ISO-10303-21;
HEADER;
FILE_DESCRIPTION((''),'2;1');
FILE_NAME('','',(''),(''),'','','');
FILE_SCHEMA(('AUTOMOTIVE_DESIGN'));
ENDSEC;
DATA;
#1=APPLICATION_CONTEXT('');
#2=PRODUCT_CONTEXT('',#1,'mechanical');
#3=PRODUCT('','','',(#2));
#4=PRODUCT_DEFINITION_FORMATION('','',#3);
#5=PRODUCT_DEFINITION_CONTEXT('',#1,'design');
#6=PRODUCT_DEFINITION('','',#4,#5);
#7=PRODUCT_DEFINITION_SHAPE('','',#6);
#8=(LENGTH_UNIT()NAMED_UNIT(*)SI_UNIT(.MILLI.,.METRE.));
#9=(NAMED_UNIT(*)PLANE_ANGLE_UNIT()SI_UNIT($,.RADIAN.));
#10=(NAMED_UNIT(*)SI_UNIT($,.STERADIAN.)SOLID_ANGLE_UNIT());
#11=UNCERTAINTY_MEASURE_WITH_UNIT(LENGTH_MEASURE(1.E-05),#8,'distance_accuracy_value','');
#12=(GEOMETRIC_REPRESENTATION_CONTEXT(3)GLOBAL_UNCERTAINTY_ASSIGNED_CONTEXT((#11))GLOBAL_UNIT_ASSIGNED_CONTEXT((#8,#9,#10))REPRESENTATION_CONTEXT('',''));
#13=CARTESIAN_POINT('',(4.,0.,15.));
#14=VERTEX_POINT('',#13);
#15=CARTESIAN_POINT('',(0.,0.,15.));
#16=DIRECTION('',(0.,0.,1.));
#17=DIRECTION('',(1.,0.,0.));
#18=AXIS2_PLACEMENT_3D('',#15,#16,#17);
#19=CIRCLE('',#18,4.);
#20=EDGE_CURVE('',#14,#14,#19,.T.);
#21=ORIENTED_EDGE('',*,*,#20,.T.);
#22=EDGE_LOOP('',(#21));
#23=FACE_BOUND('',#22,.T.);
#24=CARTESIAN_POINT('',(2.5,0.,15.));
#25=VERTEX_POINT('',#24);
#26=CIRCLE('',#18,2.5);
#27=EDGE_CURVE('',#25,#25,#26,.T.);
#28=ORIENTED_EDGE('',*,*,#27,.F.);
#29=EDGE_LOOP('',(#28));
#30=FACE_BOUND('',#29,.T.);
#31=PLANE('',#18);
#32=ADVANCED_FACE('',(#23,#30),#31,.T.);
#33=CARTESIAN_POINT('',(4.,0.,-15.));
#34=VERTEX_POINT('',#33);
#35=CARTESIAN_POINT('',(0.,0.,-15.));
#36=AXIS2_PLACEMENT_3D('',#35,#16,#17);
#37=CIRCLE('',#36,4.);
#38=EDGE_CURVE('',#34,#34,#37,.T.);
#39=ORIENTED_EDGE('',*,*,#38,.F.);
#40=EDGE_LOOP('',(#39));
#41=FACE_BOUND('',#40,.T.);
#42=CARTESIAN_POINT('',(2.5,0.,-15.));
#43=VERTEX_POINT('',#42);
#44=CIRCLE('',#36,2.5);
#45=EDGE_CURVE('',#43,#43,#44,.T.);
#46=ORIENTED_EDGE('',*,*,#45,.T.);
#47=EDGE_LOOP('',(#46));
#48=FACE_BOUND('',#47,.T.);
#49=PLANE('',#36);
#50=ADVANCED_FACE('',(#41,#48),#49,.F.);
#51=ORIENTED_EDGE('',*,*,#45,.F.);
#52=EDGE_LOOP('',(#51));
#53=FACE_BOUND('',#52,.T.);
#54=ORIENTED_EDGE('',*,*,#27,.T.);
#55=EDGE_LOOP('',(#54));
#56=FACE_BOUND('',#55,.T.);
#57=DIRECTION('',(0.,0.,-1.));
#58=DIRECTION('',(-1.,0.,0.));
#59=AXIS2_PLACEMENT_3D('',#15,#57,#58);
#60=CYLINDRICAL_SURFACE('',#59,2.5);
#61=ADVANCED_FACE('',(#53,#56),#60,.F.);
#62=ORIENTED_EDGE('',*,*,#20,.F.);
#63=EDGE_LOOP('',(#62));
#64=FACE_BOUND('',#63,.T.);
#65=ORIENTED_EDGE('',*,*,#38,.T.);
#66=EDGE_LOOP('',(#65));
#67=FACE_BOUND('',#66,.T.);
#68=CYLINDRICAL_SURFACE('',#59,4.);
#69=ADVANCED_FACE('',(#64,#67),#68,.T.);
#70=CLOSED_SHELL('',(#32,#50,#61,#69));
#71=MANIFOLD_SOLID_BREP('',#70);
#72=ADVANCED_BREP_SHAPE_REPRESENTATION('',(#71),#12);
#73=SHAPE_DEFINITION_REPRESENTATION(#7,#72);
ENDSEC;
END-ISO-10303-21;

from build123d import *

# Parameters (mm, degrees)
SKETCH_1_R      = 4
SKETCH_1_R_2    = 2.5
EXTRUDE_1_DEPTH = 15


with BuildPart() as part:
    # 草图1 → 凸台-拉伸1 (new, symmetric)
    with BuildSketch(Plane.XY):
        Circle(SKETCH_1_R)
        Circle(SKETCH_1_R_2, mode=Mode.SUBTRACT)
    extrude(amount=EXTRUDE_1_DEPTH, both=True)


solid = part.part
